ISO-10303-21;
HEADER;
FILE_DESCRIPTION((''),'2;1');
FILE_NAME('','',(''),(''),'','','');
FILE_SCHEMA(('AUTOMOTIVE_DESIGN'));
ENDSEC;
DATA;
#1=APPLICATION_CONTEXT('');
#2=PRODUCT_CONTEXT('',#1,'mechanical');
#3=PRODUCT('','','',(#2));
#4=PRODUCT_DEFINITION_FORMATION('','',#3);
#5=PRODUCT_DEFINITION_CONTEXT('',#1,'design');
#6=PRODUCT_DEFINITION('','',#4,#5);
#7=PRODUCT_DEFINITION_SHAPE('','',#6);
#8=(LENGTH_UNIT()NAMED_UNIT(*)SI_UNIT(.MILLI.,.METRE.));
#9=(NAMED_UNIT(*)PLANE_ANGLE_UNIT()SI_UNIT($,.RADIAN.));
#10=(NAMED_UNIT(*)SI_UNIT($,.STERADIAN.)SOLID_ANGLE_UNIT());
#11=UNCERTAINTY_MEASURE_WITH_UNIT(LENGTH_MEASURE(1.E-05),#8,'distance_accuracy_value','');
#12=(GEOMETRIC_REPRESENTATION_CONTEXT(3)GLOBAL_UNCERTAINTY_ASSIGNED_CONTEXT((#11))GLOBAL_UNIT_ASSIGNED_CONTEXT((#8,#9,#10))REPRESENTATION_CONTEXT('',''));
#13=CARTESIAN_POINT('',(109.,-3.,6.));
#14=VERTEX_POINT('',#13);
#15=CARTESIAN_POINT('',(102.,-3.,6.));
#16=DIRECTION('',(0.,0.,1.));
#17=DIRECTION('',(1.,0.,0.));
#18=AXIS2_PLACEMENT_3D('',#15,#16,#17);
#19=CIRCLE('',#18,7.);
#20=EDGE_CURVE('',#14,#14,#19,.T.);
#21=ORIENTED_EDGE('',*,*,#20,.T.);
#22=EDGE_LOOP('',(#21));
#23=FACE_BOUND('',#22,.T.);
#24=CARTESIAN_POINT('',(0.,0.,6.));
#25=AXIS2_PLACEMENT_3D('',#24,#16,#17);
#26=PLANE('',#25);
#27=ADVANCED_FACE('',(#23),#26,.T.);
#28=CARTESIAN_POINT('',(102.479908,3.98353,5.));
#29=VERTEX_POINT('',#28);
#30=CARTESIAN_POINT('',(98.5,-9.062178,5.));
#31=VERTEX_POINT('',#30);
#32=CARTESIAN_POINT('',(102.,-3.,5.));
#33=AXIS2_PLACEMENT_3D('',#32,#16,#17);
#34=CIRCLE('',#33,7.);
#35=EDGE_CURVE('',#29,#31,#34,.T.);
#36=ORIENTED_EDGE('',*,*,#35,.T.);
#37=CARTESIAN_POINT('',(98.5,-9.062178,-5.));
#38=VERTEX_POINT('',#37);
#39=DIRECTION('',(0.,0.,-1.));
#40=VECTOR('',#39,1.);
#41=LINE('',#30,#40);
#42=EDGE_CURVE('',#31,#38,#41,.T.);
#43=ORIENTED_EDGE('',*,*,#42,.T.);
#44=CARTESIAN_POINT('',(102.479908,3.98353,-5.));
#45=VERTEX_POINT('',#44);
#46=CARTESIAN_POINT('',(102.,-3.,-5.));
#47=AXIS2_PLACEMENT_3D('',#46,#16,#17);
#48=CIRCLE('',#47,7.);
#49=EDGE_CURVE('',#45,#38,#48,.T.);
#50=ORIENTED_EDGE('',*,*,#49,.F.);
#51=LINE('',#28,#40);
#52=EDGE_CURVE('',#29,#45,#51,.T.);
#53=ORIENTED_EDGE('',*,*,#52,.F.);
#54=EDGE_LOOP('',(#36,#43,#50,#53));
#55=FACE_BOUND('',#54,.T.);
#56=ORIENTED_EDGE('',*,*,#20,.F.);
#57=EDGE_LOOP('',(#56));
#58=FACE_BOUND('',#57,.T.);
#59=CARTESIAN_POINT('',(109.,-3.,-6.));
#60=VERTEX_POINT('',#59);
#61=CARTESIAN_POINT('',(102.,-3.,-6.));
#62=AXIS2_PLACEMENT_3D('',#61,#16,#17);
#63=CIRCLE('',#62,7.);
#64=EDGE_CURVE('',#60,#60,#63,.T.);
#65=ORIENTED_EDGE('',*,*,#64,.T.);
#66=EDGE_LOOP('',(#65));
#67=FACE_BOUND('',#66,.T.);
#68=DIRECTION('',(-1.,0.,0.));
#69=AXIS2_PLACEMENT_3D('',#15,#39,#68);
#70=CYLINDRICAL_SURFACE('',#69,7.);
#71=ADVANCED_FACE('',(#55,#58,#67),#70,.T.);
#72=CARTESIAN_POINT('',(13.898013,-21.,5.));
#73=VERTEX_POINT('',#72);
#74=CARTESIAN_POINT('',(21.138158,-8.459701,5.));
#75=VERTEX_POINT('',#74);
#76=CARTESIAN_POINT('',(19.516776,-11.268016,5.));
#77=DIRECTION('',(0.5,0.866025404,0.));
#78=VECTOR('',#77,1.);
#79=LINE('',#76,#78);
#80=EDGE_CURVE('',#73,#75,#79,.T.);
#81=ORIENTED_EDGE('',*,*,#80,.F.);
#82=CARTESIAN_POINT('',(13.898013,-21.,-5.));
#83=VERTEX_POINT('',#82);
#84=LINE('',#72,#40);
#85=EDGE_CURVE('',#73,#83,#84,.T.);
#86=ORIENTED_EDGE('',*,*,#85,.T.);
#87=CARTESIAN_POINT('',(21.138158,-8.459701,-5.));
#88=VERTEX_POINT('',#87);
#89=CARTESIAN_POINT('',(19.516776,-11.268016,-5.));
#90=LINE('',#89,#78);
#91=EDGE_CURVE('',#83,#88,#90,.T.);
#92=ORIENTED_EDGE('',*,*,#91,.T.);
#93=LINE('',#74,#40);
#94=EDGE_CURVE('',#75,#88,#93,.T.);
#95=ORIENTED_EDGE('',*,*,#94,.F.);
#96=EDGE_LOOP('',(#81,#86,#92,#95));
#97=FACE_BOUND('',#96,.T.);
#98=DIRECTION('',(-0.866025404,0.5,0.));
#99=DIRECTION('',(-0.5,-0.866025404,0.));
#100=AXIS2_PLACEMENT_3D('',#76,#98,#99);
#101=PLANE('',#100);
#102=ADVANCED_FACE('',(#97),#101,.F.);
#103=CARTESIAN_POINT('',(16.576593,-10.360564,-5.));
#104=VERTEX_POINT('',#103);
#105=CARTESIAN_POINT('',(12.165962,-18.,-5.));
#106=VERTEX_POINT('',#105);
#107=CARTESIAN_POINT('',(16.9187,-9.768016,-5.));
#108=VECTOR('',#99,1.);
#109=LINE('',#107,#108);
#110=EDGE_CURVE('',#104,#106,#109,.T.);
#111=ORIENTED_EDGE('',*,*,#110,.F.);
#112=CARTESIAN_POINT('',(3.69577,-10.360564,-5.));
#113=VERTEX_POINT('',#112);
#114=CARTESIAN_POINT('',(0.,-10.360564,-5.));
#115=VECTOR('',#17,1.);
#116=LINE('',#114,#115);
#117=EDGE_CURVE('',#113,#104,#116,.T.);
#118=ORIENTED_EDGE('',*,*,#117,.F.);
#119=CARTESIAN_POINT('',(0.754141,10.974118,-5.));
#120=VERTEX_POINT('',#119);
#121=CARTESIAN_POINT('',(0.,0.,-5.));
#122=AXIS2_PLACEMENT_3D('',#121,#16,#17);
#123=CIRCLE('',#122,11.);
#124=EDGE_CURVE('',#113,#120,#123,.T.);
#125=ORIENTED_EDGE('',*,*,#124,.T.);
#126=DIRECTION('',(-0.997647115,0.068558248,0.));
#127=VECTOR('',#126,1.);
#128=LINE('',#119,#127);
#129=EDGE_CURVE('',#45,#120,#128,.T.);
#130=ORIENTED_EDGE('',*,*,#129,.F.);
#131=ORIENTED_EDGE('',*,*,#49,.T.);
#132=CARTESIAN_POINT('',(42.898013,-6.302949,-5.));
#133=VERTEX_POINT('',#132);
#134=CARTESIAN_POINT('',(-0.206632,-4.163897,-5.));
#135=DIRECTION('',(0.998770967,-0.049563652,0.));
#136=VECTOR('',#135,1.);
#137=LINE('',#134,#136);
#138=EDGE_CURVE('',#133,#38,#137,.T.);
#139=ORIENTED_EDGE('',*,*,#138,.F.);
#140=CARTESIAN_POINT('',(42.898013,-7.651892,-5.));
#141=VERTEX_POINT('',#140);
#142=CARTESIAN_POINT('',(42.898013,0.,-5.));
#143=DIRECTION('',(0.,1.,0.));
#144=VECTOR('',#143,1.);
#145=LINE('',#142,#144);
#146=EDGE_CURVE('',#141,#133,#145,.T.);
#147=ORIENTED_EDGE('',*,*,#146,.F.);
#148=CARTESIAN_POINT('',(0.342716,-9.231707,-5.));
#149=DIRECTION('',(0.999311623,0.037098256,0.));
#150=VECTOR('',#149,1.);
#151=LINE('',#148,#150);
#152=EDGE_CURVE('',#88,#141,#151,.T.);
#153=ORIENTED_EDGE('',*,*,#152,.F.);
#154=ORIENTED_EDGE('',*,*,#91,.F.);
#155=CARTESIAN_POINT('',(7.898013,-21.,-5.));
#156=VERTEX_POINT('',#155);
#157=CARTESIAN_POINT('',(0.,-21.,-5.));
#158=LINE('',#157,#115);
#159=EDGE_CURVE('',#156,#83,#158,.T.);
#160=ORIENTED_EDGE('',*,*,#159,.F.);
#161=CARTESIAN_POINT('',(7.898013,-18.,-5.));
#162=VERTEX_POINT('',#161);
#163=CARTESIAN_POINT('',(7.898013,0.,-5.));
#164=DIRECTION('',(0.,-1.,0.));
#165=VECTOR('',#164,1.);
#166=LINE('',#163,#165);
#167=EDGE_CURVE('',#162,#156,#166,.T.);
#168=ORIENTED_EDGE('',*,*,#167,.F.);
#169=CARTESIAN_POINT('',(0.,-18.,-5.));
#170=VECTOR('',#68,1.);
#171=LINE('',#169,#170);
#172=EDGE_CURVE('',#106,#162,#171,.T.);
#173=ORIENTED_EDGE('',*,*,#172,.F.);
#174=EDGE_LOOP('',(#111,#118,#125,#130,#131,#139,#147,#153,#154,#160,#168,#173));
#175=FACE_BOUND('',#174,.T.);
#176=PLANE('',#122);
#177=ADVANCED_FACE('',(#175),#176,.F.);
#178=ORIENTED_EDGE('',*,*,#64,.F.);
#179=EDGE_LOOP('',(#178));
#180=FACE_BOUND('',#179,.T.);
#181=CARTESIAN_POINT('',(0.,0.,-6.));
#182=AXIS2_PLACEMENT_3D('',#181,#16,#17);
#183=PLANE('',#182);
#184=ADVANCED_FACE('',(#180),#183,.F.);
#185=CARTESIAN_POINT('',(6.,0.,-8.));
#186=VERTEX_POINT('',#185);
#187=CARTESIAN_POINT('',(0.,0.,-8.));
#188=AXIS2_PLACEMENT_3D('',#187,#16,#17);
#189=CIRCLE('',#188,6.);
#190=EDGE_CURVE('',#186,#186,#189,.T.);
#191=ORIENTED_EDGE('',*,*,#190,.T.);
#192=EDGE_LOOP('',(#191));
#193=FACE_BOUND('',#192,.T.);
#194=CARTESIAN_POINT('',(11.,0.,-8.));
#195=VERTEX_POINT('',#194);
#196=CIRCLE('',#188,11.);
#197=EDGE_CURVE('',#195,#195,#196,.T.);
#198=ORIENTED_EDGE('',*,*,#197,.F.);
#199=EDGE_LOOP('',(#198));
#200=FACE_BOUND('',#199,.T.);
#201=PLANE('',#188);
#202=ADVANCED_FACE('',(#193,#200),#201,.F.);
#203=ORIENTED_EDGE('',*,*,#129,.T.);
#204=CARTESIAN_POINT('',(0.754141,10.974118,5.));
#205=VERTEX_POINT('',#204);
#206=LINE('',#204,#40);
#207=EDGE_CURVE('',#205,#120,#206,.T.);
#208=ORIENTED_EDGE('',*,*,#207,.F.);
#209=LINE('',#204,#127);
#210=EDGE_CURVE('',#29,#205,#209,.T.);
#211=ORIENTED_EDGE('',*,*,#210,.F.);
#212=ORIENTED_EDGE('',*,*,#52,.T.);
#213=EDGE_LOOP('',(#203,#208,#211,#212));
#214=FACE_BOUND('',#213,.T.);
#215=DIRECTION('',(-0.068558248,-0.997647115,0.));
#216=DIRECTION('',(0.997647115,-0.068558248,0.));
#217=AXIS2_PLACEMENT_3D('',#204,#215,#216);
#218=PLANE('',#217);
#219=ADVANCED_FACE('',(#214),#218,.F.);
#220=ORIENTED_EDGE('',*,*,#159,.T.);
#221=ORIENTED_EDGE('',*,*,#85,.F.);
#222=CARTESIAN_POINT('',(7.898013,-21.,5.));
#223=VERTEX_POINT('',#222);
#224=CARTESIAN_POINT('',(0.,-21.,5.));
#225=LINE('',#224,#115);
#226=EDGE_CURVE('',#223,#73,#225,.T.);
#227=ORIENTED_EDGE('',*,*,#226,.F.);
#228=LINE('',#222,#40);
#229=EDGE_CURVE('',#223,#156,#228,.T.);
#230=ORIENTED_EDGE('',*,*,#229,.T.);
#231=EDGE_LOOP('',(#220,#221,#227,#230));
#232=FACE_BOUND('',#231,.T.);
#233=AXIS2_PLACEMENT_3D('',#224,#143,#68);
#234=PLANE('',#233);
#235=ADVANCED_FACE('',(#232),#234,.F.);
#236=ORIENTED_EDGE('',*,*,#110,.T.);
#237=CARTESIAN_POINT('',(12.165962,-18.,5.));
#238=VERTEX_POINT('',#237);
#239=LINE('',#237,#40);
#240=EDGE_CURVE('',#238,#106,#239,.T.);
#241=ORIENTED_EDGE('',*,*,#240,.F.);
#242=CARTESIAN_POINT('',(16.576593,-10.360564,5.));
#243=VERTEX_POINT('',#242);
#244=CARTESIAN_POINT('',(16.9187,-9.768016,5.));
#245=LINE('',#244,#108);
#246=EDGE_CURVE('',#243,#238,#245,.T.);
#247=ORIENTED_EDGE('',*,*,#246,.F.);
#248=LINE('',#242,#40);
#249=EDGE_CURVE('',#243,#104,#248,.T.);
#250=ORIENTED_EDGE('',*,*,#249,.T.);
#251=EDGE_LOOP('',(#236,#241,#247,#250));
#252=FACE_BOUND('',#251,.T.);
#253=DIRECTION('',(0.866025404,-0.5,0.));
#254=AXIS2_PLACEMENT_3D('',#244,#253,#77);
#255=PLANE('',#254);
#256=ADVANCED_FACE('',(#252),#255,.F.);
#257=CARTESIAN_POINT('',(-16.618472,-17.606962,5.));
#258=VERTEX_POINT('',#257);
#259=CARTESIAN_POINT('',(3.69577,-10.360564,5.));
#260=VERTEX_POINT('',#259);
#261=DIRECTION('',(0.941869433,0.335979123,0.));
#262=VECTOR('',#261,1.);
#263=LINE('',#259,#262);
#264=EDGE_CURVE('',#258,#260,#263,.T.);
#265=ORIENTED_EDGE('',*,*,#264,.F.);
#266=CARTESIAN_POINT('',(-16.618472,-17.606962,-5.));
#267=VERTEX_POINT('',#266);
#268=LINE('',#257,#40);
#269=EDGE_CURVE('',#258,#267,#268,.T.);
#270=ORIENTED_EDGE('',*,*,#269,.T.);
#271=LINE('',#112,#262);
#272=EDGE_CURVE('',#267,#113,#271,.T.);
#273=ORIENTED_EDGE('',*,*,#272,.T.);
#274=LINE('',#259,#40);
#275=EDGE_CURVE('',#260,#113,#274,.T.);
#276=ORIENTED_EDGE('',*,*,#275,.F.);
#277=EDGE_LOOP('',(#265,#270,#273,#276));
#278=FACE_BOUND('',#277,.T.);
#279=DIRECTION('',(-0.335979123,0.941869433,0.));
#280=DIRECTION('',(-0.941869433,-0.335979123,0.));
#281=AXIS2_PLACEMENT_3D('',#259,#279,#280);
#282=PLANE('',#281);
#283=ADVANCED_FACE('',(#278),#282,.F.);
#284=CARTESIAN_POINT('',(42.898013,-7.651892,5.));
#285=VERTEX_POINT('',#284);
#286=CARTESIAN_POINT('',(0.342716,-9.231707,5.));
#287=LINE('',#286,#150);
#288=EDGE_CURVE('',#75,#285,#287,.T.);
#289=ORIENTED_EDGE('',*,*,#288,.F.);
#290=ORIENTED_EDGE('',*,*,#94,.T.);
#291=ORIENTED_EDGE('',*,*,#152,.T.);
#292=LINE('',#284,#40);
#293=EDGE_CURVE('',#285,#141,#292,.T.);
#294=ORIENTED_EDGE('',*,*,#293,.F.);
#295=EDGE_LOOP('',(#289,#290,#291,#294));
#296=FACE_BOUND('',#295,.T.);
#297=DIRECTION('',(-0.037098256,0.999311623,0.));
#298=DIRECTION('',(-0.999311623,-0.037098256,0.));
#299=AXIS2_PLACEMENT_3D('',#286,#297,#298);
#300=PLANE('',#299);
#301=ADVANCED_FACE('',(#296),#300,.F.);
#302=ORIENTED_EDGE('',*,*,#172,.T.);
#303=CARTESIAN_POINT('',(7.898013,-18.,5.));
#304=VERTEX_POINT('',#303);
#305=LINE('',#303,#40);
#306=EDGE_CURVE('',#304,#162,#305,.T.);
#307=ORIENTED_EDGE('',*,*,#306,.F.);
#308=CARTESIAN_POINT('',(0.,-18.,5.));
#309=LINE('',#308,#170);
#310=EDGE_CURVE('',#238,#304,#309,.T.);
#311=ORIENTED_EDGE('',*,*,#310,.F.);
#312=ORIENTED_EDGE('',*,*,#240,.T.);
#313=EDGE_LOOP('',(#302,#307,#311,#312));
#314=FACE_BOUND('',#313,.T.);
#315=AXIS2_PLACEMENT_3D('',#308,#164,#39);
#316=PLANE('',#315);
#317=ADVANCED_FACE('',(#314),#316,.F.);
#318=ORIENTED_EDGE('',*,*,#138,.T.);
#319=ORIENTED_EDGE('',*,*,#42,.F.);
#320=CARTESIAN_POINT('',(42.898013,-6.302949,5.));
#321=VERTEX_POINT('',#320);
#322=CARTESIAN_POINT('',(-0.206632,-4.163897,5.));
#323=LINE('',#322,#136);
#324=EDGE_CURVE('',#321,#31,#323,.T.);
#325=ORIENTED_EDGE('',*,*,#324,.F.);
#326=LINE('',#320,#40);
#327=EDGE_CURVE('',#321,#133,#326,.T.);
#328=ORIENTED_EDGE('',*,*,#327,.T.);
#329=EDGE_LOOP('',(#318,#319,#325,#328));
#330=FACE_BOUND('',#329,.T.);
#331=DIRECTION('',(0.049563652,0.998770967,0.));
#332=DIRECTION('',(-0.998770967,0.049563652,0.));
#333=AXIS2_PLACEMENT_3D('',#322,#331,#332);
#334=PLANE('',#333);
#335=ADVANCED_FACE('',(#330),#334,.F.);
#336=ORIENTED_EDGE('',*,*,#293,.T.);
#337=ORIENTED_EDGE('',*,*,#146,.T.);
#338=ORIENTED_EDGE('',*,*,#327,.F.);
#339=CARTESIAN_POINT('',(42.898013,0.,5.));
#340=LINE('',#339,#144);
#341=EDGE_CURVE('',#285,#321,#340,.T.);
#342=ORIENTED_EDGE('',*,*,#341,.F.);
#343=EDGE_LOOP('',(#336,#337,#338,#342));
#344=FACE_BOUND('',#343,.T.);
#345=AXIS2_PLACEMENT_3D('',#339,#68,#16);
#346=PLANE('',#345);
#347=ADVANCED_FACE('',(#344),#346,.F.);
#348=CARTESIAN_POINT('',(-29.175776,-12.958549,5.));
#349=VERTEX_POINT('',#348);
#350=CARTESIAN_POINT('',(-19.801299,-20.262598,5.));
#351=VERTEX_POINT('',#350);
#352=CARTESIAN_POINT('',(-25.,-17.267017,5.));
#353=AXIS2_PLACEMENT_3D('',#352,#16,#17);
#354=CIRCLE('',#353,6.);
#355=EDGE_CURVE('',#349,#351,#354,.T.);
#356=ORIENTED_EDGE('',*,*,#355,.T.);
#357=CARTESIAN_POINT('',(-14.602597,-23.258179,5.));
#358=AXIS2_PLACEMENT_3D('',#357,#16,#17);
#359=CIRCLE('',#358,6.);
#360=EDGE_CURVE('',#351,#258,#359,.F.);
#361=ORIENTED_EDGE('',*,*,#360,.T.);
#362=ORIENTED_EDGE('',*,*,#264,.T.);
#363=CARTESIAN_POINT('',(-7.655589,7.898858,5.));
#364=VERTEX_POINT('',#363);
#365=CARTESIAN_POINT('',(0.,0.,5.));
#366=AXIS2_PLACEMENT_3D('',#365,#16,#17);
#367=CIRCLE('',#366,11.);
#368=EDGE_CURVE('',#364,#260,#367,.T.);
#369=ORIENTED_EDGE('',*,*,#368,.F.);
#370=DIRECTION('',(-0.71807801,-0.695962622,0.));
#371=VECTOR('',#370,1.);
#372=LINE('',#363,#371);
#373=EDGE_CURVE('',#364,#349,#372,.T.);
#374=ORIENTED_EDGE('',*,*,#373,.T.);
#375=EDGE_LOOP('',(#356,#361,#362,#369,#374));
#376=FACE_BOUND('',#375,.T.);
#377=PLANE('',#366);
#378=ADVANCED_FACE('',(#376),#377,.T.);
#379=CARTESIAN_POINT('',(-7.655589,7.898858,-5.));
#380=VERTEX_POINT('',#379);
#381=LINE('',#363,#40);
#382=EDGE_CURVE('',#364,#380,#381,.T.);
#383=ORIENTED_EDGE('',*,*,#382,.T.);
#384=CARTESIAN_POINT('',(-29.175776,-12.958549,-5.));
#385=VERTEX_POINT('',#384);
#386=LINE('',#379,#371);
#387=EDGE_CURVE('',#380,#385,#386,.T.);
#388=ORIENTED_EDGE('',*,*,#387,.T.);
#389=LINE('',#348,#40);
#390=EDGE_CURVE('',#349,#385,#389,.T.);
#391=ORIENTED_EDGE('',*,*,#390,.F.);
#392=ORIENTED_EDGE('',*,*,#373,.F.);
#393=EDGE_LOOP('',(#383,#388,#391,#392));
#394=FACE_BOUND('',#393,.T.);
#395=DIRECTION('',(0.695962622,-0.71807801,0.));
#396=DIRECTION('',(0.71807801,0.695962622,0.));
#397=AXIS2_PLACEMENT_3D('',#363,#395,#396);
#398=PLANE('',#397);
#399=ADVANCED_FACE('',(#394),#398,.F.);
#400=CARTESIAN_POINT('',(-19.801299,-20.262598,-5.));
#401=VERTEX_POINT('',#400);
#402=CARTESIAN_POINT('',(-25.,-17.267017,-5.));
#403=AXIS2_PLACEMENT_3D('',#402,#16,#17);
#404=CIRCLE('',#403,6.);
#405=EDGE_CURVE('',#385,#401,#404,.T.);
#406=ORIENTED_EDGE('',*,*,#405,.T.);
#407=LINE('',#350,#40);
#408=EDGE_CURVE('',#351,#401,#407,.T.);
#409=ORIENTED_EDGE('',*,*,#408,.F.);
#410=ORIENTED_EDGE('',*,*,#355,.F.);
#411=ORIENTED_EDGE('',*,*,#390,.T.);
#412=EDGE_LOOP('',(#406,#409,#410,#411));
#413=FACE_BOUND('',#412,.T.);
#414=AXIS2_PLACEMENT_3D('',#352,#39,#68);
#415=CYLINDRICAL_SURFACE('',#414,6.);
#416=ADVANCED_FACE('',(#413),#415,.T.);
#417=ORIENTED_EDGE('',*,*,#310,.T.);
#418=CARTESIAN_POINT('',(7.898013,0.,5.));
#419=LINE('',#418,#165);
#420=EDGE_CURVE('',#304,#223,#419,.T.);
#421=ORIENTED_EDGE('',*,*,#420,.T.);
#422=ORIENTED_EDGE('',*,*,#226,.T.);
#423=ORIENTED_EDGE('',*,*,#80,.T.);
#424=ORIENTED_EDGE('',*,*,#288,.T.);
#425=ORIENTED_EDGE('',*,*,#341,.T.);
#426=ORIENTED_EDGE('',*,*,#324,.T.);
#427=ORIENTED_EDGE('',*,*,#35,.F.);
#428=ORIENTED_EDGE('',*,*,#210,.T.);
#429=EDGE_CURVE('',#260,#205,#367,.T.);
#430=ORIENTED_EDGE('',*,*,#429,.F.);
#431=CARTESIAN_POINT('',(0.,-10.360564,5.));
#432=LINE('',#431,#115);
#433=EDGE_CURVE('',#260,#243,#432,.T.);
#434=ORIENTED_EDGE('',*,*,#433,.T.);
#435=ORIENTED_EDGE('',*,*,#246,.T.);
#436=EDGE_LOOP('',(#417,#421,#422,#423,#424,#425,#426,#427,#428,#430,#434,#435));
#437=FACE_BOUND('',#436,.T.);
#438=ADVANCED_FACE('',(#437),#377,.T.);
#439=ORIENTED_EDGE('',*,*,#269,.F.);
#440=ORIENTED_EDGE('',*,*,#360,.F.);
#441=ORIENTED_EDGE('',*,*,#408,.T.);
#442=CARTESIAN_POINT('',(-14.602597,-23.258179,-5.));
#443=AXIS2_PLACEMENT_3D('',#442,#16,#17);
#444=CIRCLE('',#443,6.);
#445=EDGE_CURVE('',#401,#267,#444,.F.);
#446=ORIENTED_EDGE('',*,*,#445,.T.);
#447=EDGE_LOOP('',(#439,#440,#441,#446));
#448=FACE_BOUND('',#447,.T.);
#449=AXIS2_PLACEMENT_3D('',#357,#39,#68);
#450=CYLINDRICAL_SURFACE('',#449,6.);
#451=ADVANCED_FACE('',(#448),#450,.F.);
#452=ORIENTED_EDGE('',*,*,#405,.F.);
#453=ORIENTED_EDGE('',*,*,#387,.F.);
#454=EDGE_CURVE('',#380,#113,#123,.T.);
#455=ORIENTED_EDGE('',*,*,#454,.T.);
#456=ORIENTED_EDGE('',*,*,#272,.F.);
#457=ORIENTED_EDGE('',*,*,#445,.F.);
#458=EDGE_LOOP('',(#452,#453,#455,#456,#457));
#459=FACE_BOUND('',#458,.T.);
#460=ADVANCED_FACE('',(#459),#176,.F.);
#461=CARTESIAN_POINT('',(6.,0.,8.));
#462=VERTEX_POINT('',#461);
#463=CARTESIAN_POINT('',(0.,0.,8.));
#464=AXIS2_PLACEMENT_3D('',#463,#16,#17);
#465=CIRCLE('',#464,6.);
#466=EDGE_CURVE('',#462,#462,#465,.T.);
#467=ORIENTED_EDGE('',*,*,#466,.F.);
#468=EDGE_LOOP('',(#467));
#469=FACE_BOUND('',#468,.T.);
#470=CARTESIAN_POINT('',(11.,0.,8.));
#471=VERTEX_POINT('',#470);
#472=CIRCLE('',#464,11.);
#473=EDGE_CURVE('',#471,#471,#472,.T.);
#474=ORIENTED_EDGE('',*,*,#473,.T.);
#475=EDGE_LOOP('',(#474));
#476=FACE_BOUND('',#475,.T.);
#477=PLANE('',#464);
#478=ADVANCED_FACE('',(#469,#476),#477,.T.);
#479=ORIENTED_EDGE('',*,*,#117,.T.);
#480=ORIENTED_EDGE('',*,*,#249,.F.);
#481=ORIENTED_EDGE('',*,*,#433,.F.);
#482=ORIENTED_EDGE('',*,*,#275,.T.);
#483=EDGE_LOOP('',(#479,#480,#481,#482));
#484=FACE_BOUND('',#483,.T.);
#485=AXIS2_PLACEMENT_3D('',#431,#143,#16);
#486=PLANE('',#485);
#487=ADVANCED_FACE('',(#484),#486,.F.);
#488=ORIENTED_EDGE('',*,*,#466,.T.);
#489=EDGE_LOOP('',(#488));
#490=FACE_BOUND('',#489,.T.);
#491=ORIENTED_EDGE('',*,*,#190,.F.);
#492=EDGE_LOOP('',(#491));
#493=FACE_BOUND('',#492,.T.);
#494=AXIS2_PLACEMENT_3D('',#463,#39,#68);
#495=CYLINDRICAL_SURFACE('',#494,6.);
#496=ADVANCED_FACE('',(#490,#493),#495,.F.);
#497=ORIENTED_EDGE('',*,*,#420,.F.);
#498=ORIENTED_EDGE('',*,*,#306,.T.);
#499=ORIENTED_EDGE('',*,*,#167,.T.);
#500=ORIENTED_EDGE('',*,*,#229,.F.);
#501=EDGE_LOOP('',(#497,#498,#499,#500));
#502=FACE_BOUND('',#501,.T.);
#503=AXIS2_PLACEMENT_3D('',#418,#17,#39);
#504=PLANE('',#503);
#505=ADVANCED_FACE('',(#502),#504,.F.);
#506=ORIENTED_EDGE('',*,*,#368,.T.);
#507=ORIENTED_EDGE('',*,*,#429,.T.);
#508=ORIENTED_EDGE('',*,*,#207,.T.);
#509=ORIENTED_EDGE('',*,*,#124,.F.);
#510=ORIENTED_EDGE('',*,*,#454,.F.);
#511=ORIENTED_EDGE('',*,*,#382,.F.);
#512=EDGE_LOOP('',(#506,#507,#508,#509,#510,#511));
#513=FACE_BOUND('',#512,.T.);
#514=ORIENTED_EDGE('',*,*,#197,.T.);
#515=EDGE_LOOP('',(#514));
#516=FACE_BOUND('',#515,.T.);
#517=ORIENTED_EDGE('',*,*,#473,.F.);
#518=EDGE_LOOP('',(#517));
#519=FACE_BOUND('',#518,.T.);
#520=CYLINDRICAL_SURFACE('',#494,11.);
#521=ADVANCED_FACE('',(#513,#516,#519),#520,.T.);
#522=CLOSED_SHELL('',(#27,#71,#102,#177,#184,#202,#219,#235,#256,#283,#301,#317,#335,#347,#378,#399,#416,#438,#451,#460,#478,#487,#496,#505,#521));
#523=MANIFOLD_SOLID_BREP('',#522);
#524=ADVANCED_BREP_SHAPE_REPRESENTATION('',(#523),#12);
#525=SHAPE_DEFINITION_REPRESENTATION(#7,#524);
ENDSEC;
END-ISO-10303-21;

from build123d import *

# Parameters (mm, degrees)
SKETCH1_R               = 11
SKETCH1_R_2             = 6
BOSS_EXTRUDE1_DEPTH     = 8
BOSS_EXTRUDE2_DEPTH     = 6
BOSS_EXTRUDE3_DEPTH     = 5
CUT_EXTRUDE1_DEPTH      = 112.742355901
CUT_EXTRUDE1_DEPTH_BACK = 112.742355901
SKETCH3_R               = 6


with BuildPart() as part:
    # Sketch1 → Boss-Extrude1 (new, symmetric)
    with BuildSketch(Plane.XY):
        Circle(SKETCH1_R)
        Circle(SKETCH1_R_2, mode=Mode.SUBTRACT)
    extrude(amount=BOSS_EXTRUDE1_DEPTH, both=True)



with BuildPart() as body_2:
    # Sketch2 → Boss-Extrude2 (new, symmetric)
    with BuildSketch(Plane.XY):
        with BuildLine():
            ThreePointArc((109, -3), (107.116607967, 1.777062163), (102.479907739, 3.983529807))
            ThreePointArc((102.479907739, 3.983529807), (95.304638828, -0.957418601), (98.5, -9.062177826))
            ThreePointArc((98.5, -9.062177826), (105.5, -9.062177826), (109, -3))
        make_face()
    extrude(amount=BOSS_EXTRUDE2_DEPTH, both=True)


with BuildPart() as part_1:
    add(part.part)

    add(body_2.part)  # Boss-Extrude3 merges body 2
    # Sketch2<3> → Boss-Extrude3 (add, symmetric)
    with BuildSketch(Plane.XY):
        with BuildLine():
            ThreePointArc((0.754140733, 10.974118268), (-3.77780396, 10.330933997), (-7.655588843, 7.898858112))
            Line((-7.655588843, 7.898858112), (-29.175775732, -12.958549415))
            ThreePointArc((-29.175775732, -12.958549415), (-28.687665444, -22), (-19.801298619, -20.262598212))
            ThreePointArc((-19.801298619, -20.262598212), (-18.446505094, -18.651187263), (-16.618471977, -17.606962351))
            Line((-16.618471977, -17.606962351), (3.695770356, -10.360563762))
            Line((3.695770356, -10.360563762), (16.576592604, -10.360563762))
            Line((16.576592604, -10.360563762), (12.165962036, -18))
            Line((12.165962036, -18), (7.898012843, -18))
            Line((7.898012843, -18), (7.898012843, -21))
            Line((7.898012843, -21), (13.898012843, -21))
            Line((13.898012843, -21), (21.138158023, -8.459700694))
            Line((21.138158023, -8.459700694), (42.898012843, -7.651891962))
            Line((42.898012843, -7.651891962), (42.898012843, -6.302949113))
            Line((42.898012843, -6.302949113), (98.5, -9.062177826))
            ThreePointArc((98.5, -9.062177826), (95.304638828, -0.957418601), (102.479907739, 3.983529807))
            Line((102.479907739, 3.983529807), (0.754140733, 10.974118268))
        make_face()
    extrude(amount=BOSS_EXTRUDE3_DEPTH, both=True)

    # Sketch3 → Cut-Extrude1 (cut, two sides: drawn at the far end of the back side and taken through both)
    with BuildSketch(Plane.XY.offset(-CUT_EXTRUDE1_DEPTH_BACK)):
        Circle(SKETCH3_R)
    extrude(amount=CUT_EXTRUDE1_DEPTH + CUT_EXTRUDE1_DEPTH_BACK, mode=Mode.SUBTRACT)


solid = part_1.part
